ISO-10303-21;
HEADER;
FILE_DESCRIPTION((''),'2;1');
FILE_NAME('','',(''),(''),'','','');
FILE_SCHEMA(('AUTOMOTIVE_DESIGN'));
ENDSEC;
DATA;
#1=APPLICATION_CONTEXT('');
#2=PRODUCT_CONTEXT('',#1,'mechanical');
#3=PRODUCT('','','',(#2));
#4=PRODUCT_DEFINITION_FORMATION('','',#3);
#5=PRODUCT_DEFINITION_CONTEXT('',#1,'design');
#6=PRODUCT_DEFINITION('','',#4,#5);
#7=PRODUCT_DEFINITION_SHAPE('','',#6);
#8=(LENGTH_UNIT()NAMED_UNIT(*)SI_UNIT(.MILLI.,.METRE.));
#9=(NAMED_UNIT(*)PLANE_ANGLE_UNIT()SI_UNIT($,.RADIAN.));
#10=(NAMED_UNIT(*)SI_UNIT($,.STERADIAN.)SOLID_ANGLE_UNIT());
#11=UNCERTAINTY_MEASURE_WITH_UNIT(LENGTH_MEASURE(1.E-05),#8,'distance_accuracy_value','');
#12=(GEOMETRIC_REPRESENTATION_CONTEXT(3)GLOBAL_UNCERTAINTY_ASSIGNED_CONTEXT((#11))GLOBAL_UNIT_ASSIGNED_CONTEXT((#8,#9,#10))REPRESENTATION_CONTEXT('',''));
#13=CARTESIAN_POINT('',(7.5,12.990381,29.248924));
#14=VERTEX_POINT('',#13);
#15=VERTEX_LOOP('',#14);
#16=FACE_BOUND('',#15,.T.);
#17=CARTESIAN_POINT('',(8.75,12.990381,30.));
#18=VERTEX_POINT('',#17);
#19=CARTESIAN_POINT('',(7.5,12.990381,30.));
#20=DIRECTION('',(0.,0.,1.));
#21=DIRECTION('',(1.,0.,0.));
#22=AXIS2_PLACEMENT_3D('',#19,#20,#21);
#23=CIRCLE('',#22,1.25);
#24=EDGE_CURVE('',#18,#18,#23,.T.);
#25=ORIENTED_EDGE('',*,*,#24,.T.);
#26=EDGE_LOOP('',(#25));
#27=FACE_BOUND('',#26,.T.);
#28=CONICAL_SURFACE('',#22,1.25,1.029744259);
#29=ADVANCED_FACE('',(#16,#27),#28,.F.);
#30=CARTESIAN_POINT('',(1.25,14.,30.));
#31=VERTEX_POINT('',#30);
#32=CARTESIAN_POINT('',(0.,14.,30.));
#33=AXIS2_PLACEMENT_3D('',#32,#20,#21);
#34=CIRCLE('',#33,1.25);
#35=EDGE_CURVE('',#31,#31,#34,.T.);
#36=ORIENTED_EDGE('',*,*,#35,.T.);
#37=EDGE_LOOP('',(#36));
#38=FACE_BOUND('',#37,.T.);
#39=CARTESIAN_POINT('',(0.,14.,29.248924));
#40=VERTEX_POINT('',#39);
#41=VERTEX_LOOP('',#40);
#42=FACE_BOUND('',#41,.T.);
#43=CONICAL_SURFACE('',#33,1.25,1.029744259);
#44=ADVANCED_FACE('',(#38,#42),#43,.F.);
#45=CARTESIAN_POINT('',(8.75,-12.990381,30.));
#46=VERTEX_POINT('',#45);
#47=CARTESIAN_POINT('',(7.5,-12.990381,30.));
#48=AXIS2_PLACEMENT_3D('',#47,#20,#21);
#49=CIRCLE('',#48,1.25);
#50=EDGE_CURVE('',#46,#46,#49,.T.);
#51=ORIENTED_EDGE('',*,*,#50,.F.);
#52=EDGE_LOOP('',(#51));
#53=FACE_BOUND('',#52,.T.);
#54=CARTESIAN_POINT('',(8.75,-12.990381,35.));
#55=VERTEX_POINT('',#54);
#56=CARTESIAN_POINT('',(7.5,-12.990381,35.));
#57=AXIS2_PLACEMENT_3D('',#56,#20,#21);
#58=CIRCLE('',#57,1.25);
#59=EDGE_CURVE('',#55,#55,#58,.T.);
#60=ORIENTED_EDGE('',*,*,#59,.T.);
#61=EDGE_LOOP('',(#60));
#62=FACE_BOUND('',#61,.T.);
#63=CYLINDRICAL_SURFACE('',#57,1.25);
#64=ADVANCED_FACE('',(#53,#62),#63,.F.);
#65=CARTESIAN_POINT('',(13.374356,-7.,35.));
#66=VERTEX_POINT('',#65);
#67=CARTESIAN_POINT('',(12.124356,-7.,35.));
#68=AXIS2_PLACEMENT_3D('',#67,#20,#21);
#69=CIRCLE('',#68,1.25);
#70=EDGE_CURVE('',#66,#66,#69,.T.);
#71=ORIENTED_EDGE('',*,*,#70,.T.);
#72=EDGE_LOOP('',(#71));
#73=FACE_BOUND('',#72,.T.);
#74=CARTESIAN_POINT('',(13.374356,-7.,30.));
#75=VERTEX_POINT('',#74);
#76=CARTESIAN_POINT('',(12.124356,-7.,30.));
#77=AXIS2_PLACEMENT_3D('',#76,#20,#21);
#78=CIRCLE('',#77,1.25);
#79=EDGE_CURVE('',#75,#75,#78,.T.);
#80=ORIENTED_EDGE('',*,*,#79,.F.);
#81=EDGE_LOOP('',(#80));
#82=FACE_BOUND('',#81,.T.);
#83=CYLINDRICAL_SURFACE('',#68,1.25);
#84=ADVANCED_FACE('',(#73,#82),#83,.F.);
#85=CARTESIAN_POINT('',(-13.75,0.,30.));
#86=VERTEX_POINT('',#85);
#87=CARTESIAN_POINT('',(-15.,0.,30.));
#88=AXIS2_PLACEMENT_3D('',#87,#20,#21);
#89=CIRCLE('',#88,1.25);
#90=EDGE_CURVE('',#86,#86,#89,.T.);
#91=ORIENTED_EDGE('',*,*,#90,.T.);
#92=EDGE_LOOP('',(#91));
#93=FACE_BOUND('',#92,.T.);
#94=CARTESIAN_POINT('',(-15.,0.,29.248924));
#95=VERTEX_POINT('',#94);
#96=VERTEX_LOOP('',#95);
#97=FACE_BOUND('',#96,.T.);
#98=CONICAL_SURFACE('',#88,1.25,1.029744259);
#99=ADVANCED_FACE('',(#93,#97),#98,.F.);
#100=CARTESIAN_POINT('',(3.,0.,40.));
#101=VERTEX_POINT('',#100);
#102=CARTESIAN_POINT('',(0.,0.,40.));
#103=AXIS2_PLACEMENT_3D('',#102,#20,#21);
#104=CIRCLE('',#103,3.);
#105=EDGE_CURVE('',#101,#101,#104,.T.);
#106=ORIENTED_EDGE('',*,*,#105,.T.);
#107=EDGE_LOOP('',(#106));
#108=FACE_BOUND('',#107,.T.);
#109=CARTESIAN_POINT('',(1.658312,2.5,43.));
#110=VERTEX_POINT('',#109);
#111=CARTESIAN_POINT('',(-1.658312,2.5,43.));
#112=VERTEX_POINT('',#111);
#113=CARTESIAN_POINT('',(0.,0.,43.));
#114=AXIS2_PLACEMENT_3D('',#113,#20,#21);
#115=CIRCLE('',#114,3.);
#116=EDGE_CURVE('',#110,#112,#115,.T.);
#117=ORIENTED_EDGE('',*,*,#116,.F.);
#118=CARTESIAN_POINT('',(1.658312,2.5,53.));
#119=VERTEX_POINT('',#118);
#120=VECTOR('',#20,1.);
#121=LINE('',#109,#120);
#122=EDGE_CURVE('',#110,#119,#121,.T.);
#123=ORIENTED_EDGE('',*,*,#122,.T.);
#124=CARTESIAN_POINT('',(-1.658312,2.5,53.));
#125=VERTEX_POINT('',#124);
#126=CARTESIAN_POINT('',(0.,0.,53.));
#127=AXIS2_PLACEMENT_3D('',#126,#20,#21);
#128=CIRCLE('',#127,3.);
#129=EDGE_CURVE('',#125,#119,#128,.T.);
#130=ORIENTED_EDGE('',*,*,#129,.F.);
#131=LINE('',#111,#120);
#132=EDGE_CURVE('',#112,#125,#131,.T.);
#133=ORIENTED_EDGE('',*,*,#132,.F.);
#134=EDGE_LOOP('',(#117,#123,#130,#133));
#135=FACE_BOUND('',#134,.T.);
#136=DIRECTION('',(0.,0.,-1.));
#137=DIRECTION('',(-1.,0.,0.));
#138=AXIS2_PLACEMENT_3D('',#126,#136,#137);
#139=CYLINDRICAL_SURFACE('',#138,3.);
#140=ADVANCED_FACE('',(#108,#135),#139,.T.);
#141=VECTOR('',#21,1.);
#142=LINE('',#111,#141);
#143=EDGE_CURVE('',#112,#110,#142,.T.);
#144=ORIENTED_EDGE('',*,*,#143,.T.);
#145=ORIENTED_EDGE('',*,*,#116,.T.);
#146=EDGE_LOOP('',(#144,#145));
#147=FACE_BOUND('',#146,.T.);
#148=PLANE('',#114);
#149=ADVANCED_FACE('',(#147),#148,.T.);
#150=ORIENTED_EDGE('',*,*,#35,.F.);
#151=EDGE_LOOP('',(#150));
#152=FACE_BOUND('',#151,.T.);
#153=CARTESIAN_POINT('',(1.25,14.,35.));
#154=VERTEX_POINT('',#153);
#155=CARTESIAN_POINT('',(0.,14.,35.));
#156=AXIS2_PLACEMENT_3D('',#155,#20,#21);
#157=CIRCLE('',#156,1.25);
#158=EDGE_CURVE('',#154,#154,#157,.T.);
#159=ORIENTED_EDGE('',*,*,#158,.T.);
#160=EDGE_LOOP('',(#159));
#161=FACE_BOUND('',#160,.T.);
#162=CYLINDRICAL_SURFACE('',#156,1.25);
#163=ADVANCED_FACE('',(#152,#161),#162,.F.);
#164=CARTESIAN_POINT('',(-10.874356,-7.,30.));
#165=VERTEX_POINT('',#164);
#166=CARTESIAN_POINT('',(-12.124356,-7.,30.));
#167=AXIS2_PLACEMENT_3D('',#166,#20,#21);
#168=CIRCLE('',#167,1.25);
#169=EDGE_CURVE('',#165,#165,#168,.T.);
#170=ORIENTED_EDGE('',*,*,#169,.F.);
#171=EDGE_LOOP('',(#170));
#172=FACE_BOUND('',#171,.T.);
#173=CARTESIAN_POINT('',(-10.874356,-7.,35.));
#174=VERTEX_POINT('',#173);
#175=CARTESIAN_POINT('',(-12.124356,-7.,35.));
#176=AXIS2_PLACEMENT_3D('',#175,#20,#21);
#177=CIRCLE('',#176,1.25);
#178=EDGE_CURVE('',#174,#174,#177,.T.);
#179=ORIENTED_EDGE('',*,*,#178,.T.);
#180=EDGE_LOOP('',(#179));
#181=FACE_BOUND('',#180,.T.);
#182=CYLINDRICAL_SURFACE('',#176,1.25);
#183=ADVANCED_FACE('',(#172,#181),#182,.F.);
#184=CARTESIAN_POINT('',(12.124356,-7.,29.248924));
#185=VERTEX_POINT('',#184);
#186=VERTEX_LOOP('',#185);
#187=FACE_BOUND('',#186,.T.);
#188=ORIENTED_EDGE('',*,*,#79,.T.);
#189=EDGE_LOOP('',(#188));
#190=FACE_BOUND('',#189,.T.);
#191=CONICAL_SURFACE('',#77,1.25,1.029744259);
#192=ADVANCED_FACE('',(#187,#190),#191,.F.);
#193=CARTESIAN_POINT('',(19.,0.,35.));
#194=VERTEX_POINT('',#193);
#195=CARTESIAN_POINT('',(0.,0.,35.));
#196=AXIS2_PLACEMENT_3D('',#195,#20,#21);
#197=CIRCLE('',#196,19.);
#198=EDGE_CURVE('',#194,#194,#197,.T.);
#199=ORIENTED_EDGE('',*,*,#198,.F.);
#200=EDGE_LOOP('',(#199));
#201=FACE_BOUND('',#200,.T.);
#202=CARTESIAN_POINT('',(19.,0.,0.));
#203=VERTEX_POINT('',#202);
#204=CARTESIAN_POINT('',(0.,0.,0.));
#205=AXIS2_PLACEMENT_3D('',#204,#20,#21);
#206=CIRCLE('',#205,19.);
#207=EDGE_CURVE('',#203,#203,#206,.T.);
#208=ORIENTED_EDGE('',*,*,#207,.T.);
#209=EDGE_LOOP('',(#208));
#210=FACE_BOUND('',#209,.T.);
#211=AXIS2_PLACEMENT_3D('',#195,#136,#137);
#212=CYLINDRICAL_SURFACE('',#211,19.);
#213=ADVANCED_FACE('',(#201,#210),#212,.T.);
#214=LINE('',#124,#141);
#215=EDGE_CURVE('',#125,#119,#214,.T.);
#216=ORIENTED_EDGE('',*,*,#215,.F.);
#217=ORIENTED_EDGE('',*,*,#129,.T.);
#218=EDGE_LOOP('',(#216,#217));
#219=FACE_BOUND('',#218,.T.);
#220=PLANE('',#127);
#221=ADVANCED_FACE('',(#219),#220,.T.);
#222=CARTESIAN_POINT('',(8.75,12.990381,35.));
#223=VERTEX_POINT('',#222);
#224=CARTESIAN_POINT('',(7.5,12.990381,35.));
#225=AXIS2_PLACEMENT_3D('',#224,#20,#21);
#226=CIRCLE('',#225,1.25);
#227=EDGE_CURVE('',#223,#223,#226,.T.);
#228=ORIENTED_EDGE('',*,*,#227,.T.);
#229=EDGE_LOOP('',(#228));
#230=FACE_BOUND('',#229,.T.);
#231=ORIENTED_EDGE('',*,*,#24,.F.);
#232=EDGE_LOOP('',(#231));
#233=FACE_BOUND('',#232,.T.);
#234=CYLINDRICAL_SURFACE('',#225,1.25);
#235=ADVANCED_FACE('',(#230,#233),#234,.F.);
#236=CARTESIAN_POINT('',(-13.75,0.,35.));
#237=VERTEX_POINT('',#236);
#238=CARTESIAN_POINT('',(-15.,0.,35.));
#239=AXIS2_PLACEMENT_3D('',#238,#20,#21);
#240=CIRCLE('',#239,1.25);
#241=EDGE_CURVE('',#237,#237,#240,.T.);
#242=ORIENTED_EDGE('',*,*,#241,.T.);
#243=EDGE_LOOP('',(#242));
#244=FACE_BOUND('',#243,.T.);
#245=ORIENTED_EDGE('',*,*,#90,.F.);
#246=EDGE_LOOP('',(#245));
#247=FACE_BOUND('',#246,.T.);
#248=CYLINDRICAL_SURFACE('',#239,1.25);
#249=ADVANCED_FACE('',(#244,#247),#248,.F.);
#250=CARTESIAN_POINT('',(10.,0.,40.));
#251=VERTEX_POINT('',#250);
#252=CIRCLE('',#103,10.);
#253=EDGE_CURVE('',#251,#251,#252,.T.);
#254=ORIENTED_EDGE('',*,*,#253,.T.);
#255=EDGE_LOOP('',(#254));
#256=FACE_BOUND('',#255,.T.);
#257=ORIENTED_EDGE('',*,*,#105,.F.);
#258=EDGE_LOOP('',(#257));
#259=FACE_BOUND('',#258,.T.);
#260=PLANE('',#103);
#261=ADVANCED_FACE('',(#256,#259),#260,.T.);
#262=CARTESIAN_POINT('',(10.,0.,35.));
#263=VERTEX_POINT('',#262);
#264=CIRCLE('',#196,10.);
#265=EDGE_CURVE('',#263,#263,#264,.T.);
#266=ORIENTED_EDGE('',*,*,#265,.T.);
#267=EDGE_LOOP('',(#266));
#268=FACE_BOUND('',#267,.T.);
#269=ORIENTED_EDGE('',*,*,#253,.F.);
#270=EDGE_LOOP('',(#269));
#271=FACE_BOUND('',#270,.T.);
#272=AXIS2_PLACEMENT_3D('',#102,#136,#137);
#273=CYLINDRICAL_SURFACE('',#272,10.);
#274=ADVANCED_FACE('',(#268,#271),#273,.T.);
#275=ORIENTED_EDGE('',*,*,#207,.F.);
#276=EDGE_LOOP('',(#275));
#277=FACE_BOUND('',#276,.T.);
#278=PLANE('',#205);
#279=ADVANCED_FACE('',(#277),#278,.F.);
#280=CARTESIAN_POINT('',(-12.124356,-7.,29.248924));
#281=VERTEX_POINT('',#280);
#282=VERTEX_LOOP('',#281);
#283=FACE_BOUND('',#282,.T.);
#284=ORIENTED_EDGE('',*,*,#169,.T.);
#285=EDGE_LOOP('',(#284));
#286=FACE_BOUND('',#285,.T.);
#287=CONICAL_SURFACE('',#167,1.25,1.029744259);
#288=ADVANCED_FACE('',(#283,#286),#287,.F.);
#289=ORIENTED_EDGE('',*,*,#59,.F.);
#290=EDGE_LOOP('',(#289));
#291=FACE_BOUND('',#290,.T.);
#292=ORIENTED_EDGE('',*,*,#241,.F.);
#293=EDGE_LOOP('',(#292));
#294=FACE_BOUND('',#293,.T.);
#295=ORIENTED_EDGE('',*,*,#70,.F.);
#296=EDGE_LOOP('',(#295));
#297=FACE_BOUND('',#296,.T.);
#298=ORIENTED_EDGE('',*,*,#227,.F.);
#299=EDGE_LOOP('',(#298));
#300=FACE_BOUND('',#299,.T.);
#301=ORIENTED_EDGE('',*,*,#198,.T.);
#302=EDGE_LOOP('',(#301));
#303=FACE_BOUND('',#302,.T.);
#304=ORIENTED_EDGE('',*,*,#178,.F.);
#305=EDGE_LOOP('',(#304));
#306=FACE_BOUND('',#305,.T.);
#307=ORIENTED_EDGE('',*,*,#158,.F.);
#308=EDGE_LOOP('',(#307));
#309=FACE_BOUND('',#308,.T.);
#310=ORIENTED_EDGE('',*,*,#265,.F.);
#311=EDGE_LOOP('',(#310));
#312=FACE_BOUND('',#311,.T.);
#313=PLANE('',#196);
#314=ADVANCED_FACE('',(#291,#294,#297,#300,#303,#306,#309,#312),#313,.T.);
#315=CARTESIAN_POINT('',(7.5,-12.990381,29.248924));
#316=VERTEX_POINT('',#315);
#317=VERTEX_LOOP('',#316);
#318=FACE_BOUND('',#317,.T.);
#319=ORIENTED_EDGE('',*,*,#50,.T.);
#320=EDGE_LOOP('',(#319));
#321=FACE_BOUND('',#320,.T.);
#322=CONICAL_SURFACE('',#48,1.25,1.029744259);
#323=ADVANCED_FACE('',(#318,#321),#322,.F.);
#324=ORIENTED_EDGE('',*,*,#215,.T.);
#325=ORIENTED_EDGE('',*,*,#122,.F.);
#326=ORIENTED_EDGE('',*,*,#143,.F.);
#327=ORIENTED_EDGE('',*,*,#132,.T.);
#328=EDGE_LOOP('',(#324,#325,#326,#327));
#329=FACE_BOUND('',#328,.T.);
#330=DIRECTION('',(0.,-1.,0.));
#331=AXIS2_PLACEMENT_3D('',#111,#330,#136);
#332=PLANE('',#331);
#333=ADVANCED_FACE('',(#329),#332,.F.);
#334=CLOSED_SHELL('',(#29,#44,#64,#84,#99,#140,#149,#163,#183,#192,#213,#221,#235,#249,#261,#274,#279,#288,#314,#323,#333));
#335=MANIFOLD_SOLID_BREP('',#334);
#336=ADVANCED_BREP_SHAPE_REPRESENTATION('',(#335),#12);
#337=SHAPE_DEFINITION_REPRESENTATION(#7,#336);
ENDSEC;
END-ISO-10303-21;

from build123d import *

# Parameters (mm, degrees)
SKETCH1_R                       = 19
BOSS_EXTRUDE1_DEPTH             = 35
SKETCH2_R                       = 10
BOSS_EXTRUDE2_DEPTH             = 5
SKETCH3_R                       = 3
BOSS_EXTRUDE3_DEPTH             = 13
CUT_EXTRUDE1_START              = -10
CUT_EXTRUDE1_DEPTH              = 10
TAP_DRILL_FOR_M3X0_5_TAP1_D     = 2.5
TAP_DRILL_FOR_M3X0_5_TAP1_DEPTH = 5
TAP_DRILL_FOR_M3X0_5_TAP1_TIP   = 0.751075774


with BuildPart() as part:
    # Sketch1 → Boss-Extrude1 (new body)
    with BuildSketch(Plane.XY):
        Circle(SKETCH1_R)
    extrude(amount=BOSS_EXTRUDE1_DEPTH)

    # Sketch2 → Boss-Extrude2 (add)
    with BuildSketch(Plane.XY.offset(35)):
        Circle(SKETCH2_R)
    extrude(amount=BOSS_EXTRUDE2_DEPTH)

    # Sketch3 → Boss-Extrude3 (add)
    with BuildSketch(Plane.XY.offset(40)):
        with Locations(Location((0, 0, 0), (0, 0, 180))):
            Circle(SKETCH3_R)
    extrude(amount=BOSS_EXTRUDE3_DEPTH)

    # Sketch4 → Cut-Extrude1 (cut)
    with BuildSketch(Plane.XY.offset(53).offset(CUT_EXTRUDE1_START)):
        with BuildLine():
            Line((-1.658312395, 2.5), (1.658312395, 2.5))
            ThreePointArc((1.658312395, 2.5), (0, 3), (-1.658312395, 2.5))
        make_face()
    extrude(amount=CUT_EXTRUDE1_DEPTH, mode=Mode.SUBTRACT)

    # Tap Drill for M3x0.5 Tap1
    with Locations(Plane.XY.offset(35)):
        with Locations((-15, 0), (0, 14), (7.5, 12.990381057), (12.124355653, -7), (7.5, -12.990381057), (-12.124355653, -7)):
            Hole(TAP_DRILL_FOR_M3X0_5_TAP1_D / 2, depth=TAP_DRILL_FOR_M3X0_5_TAP1_DEPTH)
            with Locations((0, 0, -(TAP_DRILL_FOR_M3X0_5_TAP1_DEPTH + TAP_DRILL_FOR_M3X0_5_TAP1_TIP / 2))):  # 118° drill point
                Cone(0, TAP_DRILL_FOR_M3X0_5_TAP1_D / 2, TAP_DRILL_FOR_M3X0_5_TAP1_TIP, mode=Mode.SUBTRACT)


solid = part.part
